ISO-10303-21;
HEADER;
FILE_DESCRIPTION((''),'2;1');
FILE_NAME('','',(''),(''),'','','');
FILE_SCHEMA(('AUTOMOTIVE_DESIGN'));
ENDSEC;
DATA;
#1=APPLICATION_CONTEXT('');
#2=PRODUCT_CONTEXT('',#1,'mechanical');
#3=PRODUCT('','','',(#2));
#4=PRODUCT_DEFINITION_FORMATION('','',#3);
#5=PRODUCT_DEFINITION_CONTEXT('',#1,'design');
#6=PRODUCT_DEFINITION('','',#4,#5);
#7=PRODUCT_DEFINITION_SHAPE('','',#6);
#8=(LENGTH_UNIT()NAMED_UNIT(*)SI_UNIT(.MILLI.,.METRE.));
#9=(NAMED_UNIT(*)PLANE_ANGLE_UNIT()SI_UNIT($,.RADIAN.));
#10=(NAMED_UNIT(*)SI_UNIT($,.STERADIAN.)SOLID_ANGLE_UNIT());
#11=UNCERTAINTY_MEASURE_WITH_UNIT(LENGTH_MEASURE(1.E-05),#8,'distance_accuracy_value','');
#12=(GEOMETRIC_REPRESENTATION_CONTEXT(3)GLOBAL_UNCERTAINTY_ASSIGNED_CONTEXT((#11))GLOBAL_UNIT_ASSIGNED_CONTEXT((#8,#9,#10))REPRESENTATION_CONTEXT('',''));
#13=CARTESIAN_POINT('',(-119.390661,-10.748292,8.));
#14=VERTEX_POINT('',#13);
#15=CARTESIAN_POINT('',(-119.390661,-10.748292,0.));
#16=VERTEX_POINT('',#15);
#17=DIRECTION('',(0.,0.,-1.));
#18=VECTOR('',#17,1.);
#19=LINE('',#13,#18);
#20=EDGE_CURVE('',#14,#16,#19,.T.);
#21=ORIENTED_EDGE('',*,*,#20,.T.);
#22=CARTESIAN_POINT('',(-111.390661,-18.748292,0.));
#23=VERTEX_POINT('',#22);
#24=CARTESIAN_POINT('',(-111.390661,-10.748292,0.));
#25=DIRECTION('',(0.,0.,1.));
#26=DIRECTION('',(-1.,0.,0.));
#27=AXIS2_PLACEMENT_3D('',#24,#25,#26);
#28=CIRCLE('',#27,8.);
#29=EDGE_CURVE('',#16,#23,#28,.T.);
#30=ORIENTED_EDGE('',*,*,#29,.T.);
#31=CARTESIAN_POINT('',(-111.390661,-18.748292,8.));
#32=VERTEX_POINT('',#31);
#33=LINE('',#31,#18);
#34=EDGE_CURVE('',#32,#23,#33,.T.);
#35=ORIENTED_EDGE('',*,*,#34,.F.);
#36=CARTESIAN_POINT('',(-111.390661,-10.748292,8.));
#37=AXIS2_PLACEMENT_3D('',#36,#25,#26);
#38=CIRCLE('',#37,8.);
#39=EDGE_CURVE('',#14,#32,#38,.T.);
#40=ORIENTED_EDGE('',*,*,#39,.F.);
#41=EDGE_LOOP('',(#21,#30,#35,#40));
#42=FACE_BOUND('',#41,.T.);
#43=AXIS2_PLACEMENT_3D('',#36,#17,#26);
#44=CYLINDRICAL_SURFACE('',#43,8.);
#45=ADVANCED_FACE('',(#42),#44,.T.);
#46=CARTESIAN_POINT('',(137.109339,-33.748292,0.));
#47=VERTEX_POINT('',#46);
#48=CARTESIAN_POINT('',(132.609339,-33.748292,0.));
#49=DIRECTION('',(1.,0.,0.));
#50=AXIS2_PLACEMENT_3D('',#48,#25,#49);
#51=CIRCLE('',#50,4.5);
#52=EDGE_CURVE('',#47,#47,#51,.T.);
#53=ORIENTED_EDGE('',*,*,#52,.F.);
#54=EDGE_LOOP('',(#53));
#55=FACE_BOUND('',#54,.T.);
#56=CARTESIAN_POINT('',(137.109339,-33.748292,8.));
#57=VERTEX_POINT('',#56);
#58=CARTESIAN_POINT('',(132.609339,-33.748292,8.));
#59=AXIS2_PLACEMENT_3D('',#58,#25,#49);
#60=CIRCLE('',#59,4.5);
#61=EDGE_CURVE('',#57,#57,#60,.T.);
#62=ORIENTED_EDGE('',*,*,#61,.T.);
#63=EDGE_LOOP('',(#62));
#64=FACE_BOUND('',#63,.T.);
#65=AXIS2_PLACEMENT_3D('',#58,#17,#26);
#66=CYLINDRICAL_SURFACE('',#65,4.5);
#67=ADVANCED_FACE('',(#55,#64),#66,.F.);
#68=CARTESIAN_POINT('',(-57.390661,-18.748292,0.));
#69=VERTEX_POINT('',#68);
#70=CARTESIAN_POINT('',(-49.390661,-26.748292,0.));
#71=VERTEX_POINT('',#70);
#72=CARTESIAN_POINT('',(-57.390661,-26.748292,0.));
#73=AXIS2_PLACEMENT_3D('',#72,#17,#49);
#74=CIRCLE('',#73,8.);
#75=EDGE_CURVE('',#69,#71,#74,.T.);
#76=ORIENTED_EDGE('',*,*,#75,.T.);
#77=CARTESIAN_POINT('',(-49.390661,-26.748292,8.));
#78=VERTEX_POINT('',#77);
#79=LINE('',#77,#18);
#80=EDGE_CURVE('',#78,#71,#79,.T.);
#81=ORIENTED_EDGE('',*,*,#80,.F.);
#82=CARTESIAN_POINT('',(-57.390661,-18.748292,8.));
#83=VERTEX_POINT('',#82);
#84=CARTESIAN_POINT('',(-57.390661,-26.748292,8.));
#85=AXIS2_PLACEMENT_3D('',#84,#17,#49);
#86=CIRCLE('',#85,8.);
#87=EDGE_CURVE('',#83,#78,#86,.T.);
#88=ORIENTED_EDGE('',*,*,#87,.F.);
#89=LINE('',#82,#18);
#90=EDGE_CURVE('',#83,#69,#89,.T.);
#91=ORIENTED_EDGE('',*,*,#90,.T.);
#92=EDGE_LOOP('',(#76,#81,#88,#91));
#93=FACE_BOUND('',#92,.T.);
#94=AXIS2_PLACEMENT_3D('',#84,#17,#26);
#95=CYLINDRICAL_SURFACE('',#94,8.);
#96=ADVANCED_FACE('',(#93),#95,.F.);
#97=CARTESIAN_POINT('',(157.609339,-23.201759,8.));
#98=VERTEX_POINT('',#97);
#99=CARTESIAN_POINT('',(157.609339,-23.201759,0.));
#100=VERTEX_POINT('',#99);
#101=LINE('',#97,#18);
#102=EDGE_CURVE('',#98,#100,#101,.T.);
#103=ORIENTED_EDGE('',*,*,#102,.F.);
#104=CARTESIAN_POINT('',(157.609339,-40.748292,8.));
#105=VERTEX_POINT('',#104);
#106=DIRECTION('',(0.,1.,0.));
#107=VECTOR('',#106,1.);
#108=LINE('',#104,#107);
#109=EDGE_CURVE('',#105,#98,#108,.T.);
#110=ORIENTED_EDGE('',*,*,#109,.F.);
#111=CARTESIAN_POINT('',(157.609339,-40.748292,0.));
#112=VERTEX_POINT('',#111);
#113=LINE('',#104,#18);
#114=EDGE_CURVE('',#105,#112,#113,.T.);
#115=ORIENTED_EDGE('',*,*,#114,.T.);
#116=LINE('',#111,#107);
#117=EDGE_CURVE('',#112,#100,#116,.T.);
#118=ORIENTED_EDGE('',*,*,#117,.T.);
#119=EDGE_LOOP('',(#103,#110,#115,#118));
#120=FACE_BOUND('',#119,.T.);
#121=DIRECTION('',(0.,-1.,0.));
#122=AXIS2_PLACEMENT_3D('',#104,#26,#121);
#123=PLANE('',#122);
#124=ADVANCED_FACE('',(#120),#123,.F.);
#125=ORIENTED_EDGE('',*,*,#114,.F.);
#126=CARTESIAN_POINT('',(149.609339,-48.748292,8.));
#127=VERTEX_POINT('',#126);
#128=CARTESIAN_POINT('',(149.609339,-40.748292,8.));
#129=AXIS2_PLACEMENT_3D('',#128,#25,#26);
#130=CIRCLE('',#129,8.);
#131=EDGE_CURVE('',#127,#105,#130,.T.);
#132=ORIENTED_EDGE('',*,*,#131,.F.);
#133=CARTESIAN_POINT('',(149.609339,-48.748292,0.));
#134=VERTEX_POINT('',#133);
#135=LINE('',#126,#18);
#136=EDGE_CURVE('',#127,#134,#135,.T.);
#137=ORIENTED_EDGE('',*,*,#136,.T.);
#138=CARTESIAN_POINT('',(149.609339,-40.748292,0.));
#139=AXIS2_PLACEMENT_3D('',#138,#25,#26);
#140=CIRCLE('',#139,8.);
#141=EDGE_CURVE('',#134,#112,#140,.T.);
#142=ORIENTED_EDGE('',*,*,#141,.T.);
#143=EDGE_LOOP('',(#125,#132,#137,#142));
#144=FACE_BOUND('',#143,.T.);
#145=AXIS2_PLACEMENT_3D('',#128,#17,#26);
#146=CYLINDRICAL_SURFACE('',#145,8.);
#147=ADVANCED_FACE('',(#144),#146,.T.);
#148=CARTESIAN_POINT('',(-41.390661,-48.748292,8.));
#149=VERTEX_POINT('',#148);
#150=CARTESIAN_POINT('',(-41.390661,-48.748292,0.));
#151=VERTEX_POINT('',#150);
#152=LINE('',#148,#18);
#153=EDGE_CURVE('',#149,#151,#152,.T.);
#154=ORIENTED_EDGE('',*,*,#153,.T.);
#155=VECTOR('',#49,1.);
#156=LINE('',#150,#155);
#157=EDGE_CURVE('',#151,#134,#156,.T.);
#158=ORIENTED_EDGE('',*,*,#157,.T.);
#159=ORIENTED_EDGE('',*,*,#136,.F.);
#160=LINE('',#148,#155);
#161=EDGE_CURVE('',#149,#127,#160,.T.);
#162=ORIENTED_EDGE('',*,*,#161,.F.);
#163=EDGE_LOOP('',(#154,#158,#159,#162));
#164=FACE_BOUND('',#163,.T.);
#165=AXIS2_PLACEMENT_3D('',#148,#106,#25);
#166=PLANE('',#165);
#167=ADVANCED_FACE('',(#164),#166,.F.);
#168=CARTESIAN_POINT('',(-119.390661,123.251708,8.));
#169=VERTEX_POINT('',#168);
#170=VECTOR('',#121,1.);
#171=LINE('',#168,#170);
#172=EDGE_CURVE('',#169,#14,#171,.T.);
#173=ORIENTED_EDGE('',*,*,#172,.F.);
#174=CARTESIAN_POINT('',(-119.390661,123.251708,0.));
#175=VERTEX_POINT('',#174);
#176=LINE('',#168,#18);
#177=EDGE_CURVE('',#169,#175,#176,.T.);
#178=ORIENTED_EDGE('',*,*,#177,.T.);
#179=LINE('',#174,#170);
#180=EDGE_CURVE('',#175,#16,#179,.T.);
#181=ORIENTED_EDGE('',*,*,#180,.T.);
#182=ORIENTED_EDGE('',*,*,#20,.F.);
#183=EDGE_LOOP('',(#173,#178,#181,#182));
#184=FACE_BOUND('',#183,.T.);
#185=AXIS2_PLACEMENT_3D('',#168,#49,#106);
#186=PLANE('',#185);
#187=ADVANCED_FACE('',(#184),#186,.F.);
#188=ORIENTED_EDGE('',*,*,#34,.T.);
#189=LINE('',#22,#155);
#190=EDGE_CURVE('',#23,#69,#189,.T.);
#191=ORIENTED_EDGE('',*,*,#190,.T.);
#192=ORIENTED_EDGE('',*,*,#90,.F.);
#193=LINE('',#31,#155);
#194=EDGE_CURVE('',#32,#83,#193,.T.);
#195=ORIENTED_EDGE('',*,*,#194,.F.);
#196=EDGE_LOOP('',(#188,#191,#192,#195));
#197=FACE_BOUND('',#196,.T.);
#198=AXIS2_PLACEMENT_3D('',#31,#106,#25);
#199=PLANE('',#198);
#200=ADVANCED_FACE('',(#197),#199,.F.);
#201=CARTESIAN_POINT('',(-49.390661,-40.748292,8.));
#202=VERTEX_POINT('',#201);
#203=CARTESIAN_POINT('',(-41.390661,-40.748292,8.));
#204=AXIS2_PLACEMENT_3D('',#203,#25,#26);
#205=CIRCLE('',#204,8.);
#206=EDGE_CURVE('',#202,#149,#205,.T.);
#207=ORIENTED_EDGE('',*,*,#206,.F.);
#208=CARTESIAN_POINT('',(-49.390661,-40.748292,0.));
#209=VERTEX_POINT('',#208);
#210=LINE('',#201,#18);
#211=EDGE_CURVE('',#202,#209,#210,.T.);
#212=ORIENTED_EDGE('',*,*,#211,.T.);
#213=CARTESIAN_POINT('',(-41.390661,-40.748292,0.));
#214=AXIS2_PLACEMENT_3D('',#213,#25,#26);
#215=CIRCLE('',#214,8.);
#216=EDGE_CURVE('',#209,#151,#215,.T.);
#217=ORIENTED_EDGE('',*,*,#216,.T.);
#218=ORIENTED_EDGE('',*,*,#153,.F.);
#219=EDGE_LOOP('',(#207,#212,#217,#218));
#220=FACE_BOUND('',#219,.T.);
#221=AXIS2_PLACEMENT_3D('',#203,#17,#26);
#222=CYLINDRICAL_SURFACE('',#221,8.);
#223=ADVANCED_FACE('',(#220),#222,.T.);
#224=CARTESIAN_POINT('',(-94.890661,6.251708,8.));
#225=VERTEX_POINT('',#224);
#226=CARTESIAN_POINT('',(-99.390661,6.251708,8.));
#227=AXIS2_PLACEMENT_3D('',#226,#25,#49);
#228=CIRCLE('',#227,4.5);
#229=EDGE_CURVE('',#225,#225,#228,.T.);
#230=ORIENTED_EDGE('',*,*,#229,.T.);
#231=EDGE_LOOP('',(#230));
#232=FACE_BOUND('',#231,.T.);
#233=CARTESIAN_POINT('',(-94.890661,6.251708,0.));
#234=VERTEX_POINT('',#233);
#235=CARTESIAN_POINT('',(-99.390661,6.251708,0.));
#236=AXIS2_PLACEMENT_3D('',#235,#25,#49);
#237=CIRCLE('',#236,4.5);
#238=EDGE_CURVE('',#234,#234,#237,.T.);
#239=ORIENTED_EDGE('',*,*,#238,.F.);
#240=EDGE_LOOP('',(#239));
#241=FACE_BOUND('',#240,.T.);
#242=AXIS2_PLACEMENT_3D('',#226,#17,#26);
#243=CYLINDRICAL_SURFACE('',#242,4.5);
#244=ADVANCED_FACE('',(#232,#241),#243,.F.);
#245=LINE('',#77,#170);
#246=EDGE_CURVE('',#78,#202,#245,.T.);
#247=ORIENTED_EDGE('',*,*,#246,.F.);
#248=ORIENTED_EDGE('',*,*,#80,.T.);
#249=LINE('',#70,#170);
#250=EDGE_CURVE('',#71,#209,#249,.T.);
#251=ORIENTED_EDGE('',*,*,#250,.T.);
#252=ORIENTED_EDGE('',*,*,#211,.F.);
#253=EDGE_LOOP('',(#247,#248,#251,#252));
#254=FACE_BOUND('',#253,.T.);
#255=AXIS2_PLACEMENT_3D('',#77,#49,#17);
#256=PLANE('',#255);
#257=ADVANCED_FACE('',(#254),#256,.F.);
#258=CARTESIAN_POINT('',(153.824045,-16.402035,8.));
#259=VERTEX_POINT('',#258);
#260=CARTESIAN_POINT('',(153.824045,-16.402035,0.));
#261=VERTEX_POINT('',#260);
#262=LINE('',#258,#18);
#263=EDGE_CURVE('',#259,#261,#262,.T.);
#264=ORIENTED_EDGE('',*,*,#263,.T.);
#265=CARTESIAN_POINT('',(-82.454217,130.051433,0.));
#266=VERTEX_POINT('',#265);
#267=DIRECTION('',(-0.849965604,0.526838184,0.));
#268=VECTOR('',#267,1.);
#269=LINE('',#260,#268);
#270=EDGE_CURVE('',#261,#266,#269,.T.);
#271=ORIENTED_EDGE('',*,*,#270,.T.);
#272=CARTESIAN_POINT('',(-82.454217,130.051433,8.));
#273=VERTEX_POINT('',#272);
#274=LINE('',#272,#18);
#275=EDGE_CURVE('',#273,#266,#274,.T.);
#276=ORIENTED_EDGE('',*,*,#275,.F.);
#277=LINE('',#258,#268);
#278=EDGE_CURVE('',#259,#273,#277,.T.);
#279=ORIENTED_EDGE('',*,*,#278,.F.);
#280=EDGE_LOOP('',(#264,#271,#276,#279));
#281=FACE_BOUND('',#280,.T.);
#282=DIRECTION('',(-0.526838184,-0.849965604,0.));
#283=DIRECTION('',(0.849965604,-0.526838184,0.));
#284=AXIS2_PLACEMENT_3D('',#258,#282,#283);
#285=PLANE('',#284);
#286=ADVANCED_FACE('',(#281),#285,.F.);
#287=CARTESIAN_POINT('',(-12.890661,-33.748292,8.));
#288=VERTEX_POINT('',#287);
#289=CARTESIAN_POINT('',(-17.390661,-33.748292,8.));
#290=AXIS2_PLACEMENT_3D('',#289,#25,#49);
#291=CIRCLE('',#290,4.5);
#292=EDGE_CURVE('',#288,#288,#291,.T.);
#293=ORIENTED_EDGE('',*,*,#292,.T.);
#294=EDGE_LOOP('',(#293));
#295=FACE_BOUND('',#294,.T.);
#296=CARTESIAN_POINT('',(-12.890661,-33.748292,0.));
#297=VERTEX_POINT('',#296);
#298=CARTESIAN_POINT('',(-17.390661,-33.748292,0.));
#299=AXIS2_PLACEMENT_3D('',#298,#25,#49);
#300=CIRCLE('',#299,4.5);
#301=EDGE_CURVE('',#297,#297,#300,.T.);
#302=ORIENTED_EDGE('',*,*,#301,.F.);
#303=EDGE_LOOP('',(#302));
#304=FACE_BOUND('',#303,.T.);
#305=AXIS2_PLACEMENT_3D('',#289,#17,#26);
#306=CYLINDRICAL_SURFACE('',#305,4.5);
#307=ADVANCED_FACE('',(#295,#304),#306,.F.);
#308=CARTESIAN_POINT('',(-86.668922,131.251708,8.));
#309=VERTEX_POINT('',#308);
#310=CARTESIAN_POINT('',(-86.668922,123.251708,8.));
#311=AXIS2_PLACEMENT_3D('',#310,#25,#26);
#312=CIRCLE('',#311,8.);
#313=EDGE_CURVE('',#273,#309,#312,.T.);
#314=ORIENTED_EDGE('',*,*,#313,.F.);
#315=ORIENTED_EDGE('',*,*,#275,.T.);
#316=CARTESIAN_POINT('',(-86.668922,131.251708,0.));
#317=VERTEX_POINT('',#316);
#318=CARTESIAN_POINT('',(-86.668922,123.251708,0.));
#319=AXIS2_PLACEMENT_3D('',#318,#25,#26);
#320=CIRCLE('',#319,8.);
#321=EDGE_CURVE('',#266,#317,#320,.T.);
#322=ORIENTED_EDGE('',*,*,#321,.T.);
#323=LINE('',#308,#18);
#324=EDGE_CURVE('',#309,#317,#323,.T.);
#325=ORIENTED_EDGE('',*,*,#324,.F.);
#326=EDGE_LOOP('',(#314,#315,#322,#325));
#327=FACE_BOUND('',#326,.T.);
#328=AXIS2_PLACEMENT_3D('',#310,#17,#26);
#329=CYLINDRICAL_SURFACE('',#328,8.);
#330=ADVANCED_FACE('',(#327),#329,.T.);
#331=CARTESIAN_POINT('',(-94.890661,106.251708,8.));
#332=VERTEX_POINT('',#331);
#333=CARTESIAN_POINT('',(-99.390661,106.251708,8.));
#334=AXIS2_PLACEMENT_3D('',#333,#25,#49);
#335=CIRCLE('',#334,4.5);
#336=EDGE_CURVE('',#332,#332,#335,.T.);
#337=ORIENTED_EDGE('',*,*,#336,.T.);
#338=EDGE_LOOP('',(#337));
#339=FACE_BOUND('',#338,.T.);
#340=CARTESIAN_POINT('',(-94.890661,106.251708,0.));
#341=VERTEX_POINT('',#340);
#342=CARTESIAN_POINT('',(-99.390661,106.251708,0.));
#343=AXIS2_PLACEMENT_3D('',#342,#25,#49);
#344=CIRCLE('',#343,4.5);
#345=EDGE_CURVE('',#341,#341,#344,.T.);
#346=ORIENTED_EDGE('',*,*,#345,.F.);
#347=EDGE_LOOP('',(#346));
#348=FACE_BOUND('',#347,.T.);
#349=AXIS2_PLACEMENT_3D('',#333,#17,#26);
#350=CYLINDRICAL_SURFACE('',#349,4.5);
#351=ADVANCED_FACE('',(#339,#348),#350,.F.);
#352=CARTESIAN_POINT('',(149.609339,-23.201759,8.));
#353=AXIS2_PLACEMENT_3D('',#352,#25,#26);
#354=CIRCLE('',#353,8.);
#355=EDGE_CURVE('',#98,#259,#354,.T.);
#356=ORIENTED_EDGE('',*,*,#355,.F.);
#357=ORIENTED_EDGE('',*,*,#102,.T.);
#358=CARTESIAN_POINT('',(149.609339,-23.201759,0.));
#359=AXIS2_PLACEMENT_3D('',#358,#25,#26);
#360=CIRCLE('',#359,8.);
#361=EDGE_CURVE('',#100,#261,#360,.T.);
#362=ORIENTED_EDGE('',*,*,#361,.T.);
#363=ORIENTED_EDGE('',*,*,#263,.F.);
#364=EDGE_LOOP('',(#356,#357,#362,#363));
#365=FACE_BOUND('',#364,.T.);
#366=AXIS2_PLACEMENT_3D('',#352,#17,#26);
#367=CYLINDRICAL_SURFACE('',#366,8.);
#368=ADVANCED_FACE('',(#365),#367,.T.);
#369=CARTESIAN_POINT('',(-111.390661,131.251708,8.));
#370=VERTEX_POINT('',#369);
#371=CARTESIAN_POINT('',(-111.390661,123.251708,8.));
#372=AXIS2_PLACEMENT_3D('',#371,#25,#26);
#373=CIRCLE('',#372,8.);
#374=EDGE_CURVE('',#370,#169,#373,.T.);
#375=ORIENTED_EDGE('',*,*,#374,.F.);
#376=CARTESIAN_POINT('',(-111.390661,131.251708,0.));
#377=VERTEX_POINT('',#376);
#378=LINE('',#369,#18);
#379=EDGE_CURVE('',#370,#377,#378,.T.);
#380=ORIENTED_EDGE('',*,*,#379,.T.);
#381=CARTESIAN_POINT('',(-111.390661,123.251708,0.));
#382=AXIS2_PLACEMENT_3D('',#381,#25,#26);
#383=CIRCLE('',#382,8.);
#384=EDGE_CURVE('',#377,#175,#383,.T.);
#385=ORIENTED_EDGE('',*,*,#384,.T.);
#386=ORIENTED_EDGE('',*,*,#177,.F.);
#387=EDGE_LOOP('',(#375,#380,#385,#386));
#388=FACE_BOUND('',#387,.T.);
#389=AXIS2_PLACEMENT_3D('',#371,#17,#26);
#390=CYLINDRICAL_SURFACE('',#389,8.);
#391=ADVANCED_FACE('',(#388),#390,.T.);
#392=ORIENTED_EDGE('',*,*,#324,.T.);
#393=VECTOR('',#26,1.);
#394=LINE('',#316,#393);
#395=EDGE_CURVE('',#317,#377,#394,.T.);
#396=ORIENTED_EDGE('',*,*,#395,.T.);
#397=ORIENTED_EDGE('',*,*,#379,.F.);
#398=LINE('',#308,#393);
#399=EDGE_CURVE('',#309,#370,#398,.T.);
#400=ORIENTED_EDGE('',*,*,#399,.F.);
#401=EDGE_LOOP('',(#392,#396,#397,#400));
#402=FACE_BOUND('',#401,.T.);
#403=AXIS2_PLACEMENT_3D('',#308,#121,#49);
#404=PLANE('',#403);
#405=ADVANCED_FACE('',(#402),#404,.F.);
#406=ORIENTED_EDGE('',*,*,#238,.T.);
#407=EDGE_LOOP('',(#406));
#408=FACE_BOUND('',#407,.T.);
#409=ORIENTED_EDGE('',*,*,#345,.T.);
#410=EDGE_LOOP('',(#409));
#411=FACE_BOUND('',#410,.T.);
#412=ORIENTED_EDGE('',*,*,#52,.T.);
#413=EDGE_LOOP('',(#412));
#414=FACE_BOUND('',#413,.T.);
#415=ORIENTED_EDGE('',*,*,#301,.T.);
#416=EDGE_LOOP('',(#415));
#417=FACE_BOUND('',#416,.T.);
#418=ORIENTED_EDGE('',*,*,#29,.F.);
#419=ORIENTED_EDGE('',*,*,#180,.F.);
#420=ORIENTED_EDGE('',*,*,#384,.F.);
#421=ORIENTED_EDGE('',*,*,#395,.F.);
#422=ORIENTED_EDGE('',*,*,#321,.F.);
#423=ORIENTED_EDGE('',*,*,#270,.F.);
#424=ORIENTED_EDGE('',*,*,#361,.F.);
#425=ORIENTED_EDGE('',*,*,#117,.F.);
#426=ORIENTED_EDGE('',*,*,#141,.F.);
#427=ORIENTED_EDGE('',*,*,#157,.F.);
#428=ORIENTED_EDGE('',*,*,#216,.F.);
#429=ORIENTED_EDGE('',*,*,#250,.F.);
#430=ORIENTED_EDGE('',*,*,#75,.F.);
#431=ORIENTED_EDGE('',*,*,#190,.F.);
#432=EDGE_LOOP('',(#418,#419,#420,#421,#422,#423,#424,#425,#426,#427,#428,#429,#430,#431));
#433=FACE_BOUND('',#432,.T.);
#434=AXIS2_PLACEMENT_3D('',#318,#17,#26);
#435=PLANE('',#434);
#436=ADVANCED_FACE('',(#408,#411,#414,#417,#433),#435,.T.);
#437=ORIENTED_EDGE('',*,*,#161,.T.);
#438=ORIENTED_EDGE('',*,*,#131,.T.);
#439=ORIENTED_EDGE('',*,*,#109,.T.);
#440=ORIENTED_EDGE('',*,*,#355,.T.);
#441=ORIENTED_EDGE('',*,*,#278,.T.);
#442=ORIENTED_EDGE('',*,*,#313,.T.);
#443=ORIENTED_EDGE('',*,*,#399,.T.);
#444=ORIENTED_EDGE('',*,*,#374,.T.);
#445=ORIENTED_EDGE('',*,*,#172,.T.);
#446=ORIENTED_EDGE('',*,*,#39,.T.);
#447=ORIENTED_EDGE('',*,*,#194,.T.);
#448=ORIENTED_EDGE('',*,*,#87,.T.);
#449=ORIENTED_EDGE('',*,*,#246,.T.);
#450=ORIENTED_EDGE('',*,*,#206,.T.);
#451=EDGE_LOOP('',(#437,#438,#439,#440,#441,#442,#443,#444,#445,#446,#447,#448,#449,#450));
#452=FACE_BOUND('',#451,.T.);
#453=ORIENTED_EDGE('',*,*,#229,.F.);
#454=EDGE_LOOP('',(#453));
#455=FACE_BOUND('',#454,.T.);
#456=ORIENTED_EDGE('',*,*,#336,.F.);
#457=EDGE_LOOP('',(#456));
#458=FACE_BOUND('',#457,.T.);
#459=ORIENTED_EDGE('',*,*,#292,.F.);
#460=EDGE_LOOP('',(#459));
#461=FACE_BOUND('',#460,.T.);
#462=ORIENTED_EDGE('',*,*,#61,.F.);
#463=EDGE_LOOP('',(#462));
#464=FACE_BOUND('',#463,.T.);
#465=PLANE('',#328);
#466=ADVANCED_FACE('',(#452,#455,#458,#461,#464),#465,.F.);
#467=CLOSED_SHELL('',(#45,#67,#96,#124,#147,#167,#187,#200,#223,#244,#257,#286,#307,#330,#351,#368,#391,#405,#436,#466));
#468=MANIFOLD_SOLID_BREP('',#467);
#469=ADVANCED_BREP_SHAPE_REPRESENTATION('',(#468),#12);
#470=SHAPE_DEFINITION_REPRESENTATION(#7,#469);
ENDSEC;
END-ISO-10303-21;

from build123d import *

# Parameters (mm, degrees)
SKETCH1_R           = 4.5
BOSS_EXTRUDE1_DEPTH = 8


with BuildPart() as part:
    # Sketch1 → Boss-Extrude1 (new body)
    with BuildSketch(Plane.XY):
        with BuildLine():
            Line((-119.390660592, 123.251708428), (-119.390660592, -10.748291572))
            ThreePointArc((-119.390660592, -10.748291572), (-117.047514842, -16.405145821), (-111.390660592, -18.748291572))
            Line((-111.390660592, -18.748291572), (-57.390660592, -18.748291572))
            ThreePointArc((-57.390660592, -18.748291572), (-51.733806343, -21.091437322), (-49.390660592, -26.748291572))
            Line((-49.390660592, -26.748291572), (-49.390660592, -40.748291572))
            ThreePointArc((-49.390660592, -40.748291572), (-47.047514842, -46.405145821), (-41.390660592, -48.748291572))
            Line((-41.390660592, -48.748291572), (149.609339408, -48.748291572))
            ThreePointArc((149.609339408, -48.748291572), (155.266193657, -46.405145821), (157.609339408, -40.748291572))
            Line((157.609339408, -40.748291572), (157.609339408, -23.201759464))
            ThreePointArc((157.609339408, -23.201759464), (156.599247983, -19.310592788), (153.824044881, -16.402034634))
            Line((153.824044881, -16.402034634), (-82.454216652, 130.051433259))
            ThreePointArc((-82.454216652, 130.051433259), (-84.477780716, 130.945790526), (-86.668922126, 131.251708428))
            Line((-86.668922126, 131.251708428), (-111.390660592, 131.251708428))
            ThreePointArc((-111.390660592, 131.251708428), (-117.047514842, 128.908562678), (-119.390660592, 123.251708428))
        make_face()
        with Locations((-99.390660592, 106.251708428)):
            Circle(SKETCH1_R, mode=Mode.SUBTRACT)
        with Locations((-99.390660592, 6.251708428)):
            Circle(SKETCH1_R, mode=Mode.SUBTRACT)
        with Locations((-17.390660592, -33.748291572)):
            Circle(SKETCH1_R, mode=Mode.SUBTRACT)
        with Locations((132.609339408, -33.748291572)):
            Circle(SKETCH1_R, mode=Mode.SUBTRACT)
    extrude(amount=BOSS_EXTRUDE1_DEPTH)


solid = part.part
